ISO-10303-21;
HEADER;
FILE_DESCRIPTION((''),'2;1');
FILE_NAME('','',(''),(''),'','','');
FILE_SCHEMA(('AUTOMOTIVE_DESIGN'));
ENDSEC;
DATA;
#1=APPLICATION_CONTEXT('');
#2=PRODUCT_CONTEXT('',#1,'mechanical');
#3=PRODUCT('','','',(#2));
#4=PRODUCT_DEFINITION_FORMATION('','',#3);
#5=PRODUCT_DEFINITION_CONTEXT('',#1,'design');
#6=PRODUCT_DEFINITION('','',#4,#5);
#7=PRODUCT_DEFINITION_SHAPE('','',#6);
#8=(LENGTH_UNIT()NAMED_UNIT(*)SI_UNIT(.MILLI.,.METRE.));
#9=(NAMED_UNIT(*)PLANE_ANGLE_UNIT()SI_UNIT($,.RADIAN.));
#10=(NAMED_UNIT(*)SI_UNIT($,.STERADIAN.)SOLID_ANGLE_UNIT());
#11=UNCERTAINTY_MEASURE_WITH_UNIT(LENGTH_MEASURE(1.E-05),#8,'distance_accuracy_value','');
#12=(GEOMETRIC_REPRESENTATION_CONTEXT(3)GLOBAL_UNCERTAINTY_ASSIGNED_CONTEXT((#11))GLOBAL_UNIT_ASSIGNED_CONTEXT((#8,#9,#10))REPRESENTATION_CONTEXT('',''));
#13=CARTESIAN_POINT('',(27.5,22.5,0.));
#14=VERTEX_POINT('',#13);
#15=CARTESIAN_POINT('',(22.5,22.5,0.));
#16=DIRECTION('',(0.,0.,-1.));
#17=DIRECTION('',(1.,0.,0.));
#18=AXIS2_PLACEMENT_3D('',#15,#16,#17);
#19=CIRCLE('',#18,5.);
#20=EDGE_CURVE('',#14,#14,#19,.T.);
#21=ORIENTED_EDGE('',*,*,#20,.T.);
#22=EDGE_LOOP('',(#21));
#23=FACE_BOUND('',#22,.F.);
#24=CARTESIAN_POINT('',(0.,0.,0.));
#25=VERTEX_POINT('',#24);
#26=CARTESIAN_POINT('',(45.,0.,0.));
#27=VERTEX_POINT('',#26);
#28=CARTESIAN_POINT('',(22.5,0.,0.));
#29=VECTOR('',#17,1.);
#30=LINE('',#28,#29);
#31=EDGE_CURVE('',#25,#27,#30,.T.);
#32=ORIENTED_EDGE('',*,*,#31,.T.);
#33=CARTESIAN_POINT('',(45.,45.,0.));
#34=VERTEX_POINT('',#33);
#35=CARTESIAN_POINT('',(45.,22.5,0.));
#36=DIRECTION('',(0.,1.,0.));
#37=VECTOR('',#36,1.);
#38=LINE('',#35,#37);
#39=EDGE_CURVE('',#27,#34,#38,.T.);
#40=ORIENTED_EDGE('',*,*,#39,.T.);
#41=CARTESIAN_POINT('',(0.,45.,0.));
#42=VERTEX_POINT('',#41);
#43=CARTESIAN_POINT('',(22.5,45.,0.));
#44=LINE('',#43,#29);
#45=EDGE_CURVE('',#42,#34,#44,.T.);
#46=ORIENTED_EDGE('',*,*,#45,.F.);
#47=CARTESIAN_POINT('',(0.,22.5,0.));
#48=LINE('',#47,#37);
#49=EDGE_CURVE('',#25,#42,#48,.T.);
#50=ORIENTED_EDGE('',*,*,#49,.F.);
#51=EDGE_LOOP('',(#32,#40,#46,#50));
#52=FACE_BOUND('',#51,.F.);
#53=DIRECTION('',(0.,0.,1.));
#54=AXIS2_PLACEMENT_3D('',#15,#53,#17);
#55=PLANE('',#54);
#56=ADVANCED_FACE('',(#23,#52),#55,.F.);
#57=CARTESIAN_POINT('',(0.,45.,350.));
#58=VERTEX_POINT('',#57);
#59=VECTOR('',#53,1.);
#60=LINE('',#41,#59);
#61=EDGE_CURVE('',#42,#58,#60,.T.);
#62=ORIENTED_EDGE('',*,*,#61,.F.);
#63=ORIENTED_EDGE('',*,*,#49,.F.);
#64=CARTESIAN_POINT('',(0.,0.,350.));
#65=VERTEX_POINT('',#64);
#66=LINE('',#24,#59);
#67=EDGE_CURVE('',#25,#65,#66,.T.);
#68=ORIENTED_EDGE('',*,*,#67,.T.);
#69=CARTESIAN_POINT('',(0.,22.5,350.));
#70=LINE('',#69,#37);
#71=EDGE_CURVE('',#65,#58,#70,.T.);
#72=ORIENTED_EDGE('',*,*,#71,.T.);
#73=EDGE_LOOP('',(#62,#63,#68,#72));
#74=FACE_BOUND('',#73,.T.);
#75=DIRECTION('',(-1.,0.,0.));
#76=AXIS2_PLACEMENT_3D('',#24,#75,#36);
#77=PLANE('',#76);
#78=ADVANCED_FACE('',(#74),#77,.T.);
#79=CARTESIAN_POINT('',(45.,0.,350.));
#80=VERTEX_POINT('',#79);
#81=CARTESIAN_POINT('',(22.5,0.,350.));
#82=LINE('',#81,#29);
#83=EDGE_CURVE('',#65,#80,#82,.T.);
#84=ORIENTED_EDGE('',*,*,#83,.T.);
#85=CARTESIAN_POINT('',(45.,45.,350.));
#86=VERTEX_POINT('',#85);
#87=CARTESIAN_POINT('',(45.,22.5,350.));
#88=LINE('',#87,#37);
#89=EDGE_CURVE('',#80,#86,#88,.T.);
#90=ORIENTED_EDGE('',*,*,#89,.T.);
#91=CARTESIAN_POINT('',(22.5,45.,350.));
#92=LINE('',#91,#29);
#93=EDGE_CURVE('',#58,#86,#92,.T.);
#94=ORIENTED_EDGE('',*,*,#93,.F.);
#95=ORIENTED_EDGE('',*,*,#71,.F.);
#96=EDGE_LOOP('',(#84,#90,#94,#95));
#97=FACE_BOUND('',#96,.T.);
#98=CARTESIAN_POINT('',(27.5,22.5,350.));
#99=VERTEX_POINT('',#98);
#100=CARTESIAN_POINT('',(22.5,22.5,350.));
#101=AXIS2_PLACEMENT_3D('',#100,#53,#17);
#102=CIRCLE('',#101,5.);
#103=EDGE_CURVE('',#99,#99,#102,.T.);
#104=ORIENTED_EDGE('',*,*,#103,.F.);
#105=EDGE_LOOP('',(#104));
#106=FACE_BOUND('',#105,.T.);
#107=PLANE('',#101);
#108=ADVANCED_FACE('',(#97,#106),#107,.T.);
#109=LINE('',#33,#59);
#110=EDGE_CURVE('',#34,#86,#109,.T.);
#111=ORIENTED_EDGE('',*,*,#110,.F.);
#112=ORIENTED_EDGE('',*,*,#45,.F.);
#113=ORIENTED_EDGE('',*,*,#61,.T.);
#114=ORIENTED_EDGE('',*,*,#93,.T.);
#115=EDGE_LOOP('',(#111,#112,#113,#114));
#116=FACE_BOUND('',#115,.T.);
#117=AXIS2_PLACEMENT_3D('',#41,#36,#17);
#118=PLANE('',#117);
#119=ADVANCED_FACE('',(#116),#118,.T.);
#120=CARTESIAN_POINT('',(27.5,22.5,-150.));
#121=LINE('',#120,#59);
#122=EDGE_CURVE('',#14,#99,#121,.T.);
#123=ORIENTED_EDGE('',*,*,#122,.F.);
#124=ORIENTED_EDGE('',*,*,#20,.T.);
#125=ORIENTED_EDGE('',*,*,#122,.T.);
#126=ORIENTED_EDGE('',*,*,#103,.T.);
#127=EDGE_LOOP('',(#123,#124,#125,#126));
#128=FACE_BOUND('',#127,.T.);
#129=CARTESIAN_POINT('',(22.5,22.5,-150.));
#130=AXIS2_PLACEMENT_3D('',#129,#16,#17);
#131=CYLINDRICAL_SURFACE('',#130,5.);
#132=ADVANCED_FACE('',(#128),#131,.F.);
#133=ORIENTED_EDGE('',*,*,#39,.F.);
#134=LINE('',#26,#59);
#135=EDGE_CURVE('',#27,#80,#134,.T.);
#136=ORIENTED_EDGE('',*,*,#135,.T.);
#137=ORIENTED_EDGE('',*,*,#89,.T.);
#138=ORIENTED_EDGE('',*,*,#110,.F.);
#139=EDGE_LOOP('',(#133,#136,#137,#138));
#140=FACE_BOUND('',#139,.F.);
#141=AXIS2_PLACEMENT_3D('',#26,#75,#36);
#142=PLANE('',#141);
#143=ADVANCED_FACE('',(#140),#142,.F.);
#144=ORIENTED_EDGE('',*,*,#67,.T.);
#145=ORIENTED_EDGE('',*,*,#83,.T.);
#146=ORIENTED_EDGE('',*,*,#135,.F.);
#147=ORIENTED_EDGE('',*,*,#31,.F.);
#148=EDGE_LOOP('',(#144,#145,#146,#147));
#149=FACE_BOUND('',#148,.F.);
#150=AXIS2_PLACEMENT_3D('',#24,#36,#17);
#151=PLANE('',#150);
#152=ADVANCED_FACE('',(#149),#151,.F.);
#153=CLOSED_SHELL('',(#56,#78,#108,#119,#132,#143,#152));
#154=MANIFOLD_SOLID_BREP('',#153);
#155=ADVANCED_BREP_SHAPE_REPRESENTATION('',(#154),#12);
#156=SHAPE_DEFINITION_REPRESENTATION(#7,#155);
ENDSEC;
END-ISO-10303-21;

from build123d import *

# Parameters (mm, degrees)
CYLINDER_R     = 5
CYLINDER_DEPTH = 500
BOX_W          = 45
BOX_H          = 45
BOX_DEPTH      = 350


with BuildPart() as screwhole:
    # Cylinder → Cylinder (new body)
    with BuildSketch(Plane(origin=(22.5, 22.5, -150), x_dir=(1, 0, 0), z_dir=(0, 0, 1))):
        Circle(CYLINDER_R)
    extrude(amount=CYLINDER_DEPTH)


with BuildPart() as screwedleg:
    # Box → Box (new body)
    with BuildSketch(Plane.XY):
        with Locations((22.5, 22.5)):
            Rectangle(BOX_W, BOX_H)
    extrude(amount=BOX_DEPTH)

    # Cut: cut ScrewHole
    add(screwhole.part, mode=Mode.SUBTRACT)


solid = screwedleg.part
